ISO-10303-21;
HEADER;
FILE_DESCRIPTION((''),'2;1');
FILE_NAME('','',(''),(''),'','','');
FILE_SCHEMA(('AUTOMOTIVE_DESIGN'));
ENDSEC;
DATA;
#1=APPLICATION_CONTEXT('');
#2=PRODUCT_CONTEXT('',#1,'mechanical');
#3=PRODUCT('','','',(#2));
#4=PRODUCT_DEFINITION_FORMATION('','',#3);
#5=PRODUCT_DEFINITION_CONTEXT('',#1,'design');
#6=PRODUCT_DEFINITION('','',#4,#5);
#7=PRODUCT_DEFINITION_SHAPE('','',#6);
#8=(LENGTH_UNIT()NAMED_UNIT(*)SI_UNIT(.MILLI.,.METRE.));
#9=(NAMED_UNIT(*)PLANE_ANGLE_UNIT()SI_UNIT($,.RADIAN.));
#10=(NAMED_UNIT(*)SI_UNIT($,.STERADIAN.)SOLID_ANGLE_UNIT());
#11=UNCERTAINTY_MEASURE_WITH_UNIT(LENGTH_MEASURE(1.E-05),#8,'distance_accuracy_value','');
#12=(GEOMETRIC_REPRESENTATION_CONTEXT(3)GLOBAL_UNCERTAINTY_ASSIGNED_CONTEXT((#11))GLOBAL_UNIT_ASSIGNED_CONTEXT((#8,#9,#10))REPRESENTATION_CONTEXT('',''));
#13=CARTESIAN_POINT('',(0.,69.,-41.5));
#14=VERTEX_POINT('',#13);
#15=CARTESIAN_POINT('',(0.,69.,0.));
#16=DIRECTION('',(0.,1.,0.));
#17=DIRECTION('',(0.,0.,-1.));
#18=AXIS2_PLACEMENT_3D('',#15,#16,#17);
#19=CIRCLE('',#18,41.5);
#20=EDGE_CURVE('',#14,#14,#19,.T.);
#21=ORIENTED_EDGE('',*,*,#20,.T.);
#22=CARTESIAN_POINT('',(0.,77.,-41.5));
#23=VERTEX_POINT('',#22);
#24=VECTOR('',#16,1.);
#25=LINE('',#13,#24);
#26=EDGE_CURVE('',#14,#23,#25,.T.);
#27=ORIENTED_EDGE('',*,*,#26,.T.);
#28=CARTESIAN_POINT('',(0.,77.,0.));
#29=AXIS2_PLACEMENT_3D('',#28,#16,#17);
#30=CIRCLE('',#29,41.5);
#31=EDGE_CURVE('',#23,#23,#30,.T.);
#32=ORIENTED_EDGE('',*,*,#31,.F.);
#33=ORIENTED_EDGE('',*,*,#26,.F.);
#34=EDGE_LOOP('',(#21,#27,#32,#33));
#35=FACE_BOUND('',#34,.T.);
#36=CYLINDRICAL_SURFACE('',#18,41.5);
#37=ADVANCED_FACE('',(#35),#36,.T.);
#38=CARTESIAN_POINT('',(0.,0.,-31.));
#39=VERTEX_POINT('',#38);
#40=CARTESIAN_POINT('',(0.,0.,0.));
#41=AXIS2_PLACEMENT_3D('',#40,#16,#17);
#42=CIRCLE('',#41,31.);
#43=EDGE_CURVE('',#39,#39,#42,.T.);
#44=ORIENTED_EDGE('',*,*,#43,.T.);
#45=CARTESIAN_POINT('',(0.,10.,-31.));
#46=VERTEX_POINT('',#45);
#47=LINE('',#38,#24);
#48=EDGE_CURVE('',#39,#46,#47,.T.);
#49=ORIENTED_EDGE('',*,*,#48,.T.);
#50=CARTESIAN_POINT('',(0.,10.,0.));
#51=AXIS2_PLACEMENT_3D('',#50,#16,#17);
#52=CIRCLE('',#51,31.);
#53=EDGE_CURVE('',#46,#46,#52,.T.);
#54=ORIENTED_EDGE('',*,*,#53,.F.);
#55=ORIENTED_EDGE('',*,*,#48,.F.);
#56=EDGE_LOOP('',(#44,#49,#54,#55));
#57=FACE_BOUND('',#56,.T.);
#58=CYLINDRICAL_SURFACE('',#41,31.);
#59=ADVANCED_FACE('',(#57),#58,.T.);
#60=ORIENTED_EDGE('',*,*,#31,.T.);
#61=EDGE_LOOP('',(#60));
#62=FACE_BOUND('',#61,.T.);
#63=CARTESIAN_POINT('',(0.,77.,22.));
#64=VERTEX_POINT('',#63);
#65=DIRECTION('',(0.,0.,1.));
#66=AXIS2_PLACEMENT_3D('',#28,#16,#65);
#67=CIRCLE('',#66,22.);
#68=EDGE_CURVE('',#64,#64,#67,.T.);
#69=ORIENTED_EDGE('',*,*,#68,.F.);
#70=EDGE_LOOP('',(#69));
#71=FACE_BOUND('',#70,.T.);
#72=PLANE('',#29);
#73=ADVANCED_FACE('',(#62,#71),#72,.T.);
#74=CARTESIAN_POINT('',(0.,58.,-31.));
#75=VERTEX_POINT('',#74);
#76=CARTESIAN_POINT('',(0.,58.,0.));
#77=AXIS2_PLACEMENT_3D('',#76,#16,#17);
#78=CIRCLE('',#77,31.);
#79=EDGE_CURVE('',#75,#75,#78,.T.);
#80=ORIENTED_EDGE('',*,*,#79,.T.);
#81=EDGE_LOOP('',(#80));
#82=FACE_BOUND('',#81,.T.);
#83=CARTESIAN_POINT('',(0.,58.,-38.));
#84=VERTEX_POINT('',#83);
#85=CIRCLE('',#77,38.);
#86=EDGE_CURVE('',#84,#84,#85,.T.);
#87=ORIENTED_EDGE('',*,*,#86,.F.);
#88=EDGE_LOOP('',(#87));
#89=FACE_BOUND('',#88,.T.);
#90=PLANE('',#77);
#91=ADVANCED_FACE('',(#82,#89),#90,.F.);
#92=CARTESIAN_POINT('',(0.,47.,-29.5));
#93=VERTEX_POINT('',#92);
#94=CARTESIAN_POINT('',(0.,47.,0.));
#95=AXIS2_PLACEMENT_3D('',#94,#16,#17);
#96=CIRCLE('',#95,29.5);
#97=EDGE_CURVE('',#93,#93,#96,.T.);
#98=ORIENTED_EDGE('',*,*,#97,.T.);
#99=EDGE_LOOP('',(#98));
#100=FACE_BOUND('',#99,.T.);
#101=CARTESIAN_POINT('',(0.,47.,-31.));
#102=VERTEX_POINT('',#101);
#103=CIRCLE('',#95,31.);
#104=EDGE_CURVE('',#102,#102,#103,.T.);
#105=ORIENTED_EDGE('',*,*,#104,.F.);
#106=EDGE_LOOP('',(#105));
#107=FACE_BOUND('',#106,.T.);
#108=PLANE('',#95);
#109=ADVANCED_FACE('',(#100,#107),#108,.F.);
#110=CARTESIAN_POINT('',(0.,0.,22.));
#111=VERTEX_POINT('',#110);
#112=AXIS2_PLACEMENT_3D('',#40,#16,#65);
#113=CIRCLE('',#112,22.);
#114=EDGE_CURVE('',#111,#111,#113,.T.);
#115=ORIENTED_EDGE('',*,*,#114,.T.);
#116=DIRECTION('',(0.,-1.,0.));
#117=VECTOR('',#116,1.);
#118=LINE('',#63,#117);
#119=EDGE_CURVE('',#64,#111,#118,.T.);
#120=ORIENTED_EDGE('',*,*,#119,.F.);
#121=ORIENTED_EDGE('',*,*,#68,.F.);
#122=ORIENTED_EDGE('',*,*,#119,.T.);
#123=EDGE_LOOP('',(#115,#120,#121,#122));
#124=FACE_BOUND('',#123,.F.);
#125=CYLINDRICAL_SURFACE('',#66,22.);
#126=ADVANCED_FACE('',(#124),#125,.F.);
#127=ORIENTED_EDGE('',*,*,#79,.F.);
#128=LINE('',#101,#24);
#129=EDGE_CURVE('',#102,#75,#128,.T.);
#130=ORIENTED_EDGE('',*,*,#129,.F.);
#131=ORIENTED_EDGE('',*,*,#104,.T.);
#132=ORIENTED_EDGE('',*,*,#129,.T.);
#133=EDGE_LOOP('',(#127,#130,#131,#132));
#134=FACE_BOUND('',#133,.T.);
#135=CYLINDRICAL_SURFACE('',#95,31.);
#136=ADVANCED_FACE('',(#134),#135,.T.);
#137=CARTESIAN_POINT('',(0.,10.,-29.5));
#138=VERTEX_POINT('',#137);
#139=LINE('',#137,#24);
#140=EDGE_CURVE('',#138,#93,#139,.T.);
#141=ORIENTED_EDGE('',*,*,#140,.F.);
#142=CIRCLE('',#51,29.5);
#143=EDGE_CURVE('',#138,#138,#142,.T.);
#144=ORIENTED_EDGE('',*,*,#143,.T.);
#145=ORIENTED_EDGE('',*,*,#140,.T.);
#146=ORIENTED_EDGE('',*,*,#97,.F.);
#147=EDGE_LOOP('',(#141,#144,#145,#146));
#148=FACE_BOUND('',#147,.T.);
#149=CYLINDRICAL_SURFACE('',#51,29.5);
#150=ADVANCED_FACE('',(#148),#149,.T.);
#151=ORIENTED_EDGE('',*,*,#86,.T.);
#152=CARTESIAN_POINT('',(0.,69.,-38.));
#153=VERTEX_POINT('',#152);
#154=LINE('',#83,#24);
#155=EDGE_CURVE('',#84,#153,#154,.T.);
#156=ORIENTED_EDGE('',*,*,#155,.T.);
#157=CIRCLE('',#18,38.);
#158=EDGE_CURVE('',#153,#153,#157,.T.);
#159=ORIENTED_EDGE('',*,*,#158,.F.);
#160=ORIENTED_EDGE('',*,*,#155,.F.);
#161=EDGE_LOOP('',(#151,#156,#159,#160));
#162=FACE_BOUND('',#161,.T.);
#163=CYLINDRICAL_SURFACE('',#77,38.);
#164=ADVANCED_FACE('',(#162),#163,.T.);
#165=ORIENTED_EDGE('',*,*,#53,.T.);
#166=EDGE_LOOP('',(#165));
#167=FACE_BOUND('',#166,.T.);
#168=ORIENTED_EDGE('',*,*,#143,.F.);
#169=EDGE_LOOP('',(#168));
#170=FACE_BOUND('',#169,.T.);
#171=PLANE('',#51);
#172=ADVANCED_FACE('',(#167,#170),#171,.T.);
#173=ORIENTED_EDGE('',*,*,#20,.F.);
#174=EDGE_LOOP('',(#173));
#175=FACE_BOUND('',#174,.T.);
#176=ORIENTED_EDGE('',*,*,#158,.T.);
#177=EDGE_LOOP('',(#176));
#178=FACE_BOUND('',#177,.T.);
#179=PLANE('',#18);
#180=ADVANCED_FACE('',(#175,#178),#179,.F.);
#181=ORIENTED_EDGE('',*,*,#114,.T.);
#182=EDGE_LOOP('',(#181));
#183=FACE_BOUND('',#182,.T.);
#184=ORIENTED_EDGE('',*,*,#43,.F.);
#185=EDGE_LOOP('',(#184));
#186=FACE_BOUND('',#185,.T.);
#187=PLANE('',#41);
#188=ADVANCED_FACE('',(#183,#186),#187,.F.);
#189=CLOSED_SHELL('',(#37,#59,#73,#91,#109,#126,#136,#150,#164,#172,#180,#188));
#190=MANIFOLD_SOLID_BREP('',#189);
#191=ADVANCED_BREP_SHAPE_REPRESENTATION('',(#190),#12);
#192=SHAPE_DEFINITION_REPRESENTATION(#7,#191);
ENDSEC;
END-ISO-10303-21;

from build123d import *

# Parameters (mm, degrees)
SKETCH2_R          = 22
CUT_EXTRUDE1_DEPTH = 77


with BuildPart() as part:
    # Sketch1 → Revolve1 (revolve)
    with BuildSketch(Plane.XY, mode=Mode.PRIVATE) as revolve1_sk:
        Polygon((0, 0), (31, 0), (31, 10), (29.5, 10), (29.5, 47), (31, 47), (31, 58), (38, 58), (38, 69), (41.5, 69), (41.5, 77), (0, 77), align=None)
    revolve(revolve1_sk.sketch.rotate(Axis((0, 0, 0), (0, 1, 0)), 90), axis=Axis((0, 0, 0), (0, 1, 0)))  # turned: the seam where the file's is

    # Sketch2 → Cut-Extrude1 (cut)
    with BuildSketch(Plane(origin=(0, 77, 0), x_dir=(1, 0, 0), z_dir=(0, 1, 0))):
        with Locations(Location((0, 0, 0), (0, 0, 270))):  # turned: the seam where the file's is
            Circle(SKETCH2_R)
    extrude(amount=-CUT_EXTRUDE1_DEPTH, mode=Mode.SUBTRACT)


solid = part.part
